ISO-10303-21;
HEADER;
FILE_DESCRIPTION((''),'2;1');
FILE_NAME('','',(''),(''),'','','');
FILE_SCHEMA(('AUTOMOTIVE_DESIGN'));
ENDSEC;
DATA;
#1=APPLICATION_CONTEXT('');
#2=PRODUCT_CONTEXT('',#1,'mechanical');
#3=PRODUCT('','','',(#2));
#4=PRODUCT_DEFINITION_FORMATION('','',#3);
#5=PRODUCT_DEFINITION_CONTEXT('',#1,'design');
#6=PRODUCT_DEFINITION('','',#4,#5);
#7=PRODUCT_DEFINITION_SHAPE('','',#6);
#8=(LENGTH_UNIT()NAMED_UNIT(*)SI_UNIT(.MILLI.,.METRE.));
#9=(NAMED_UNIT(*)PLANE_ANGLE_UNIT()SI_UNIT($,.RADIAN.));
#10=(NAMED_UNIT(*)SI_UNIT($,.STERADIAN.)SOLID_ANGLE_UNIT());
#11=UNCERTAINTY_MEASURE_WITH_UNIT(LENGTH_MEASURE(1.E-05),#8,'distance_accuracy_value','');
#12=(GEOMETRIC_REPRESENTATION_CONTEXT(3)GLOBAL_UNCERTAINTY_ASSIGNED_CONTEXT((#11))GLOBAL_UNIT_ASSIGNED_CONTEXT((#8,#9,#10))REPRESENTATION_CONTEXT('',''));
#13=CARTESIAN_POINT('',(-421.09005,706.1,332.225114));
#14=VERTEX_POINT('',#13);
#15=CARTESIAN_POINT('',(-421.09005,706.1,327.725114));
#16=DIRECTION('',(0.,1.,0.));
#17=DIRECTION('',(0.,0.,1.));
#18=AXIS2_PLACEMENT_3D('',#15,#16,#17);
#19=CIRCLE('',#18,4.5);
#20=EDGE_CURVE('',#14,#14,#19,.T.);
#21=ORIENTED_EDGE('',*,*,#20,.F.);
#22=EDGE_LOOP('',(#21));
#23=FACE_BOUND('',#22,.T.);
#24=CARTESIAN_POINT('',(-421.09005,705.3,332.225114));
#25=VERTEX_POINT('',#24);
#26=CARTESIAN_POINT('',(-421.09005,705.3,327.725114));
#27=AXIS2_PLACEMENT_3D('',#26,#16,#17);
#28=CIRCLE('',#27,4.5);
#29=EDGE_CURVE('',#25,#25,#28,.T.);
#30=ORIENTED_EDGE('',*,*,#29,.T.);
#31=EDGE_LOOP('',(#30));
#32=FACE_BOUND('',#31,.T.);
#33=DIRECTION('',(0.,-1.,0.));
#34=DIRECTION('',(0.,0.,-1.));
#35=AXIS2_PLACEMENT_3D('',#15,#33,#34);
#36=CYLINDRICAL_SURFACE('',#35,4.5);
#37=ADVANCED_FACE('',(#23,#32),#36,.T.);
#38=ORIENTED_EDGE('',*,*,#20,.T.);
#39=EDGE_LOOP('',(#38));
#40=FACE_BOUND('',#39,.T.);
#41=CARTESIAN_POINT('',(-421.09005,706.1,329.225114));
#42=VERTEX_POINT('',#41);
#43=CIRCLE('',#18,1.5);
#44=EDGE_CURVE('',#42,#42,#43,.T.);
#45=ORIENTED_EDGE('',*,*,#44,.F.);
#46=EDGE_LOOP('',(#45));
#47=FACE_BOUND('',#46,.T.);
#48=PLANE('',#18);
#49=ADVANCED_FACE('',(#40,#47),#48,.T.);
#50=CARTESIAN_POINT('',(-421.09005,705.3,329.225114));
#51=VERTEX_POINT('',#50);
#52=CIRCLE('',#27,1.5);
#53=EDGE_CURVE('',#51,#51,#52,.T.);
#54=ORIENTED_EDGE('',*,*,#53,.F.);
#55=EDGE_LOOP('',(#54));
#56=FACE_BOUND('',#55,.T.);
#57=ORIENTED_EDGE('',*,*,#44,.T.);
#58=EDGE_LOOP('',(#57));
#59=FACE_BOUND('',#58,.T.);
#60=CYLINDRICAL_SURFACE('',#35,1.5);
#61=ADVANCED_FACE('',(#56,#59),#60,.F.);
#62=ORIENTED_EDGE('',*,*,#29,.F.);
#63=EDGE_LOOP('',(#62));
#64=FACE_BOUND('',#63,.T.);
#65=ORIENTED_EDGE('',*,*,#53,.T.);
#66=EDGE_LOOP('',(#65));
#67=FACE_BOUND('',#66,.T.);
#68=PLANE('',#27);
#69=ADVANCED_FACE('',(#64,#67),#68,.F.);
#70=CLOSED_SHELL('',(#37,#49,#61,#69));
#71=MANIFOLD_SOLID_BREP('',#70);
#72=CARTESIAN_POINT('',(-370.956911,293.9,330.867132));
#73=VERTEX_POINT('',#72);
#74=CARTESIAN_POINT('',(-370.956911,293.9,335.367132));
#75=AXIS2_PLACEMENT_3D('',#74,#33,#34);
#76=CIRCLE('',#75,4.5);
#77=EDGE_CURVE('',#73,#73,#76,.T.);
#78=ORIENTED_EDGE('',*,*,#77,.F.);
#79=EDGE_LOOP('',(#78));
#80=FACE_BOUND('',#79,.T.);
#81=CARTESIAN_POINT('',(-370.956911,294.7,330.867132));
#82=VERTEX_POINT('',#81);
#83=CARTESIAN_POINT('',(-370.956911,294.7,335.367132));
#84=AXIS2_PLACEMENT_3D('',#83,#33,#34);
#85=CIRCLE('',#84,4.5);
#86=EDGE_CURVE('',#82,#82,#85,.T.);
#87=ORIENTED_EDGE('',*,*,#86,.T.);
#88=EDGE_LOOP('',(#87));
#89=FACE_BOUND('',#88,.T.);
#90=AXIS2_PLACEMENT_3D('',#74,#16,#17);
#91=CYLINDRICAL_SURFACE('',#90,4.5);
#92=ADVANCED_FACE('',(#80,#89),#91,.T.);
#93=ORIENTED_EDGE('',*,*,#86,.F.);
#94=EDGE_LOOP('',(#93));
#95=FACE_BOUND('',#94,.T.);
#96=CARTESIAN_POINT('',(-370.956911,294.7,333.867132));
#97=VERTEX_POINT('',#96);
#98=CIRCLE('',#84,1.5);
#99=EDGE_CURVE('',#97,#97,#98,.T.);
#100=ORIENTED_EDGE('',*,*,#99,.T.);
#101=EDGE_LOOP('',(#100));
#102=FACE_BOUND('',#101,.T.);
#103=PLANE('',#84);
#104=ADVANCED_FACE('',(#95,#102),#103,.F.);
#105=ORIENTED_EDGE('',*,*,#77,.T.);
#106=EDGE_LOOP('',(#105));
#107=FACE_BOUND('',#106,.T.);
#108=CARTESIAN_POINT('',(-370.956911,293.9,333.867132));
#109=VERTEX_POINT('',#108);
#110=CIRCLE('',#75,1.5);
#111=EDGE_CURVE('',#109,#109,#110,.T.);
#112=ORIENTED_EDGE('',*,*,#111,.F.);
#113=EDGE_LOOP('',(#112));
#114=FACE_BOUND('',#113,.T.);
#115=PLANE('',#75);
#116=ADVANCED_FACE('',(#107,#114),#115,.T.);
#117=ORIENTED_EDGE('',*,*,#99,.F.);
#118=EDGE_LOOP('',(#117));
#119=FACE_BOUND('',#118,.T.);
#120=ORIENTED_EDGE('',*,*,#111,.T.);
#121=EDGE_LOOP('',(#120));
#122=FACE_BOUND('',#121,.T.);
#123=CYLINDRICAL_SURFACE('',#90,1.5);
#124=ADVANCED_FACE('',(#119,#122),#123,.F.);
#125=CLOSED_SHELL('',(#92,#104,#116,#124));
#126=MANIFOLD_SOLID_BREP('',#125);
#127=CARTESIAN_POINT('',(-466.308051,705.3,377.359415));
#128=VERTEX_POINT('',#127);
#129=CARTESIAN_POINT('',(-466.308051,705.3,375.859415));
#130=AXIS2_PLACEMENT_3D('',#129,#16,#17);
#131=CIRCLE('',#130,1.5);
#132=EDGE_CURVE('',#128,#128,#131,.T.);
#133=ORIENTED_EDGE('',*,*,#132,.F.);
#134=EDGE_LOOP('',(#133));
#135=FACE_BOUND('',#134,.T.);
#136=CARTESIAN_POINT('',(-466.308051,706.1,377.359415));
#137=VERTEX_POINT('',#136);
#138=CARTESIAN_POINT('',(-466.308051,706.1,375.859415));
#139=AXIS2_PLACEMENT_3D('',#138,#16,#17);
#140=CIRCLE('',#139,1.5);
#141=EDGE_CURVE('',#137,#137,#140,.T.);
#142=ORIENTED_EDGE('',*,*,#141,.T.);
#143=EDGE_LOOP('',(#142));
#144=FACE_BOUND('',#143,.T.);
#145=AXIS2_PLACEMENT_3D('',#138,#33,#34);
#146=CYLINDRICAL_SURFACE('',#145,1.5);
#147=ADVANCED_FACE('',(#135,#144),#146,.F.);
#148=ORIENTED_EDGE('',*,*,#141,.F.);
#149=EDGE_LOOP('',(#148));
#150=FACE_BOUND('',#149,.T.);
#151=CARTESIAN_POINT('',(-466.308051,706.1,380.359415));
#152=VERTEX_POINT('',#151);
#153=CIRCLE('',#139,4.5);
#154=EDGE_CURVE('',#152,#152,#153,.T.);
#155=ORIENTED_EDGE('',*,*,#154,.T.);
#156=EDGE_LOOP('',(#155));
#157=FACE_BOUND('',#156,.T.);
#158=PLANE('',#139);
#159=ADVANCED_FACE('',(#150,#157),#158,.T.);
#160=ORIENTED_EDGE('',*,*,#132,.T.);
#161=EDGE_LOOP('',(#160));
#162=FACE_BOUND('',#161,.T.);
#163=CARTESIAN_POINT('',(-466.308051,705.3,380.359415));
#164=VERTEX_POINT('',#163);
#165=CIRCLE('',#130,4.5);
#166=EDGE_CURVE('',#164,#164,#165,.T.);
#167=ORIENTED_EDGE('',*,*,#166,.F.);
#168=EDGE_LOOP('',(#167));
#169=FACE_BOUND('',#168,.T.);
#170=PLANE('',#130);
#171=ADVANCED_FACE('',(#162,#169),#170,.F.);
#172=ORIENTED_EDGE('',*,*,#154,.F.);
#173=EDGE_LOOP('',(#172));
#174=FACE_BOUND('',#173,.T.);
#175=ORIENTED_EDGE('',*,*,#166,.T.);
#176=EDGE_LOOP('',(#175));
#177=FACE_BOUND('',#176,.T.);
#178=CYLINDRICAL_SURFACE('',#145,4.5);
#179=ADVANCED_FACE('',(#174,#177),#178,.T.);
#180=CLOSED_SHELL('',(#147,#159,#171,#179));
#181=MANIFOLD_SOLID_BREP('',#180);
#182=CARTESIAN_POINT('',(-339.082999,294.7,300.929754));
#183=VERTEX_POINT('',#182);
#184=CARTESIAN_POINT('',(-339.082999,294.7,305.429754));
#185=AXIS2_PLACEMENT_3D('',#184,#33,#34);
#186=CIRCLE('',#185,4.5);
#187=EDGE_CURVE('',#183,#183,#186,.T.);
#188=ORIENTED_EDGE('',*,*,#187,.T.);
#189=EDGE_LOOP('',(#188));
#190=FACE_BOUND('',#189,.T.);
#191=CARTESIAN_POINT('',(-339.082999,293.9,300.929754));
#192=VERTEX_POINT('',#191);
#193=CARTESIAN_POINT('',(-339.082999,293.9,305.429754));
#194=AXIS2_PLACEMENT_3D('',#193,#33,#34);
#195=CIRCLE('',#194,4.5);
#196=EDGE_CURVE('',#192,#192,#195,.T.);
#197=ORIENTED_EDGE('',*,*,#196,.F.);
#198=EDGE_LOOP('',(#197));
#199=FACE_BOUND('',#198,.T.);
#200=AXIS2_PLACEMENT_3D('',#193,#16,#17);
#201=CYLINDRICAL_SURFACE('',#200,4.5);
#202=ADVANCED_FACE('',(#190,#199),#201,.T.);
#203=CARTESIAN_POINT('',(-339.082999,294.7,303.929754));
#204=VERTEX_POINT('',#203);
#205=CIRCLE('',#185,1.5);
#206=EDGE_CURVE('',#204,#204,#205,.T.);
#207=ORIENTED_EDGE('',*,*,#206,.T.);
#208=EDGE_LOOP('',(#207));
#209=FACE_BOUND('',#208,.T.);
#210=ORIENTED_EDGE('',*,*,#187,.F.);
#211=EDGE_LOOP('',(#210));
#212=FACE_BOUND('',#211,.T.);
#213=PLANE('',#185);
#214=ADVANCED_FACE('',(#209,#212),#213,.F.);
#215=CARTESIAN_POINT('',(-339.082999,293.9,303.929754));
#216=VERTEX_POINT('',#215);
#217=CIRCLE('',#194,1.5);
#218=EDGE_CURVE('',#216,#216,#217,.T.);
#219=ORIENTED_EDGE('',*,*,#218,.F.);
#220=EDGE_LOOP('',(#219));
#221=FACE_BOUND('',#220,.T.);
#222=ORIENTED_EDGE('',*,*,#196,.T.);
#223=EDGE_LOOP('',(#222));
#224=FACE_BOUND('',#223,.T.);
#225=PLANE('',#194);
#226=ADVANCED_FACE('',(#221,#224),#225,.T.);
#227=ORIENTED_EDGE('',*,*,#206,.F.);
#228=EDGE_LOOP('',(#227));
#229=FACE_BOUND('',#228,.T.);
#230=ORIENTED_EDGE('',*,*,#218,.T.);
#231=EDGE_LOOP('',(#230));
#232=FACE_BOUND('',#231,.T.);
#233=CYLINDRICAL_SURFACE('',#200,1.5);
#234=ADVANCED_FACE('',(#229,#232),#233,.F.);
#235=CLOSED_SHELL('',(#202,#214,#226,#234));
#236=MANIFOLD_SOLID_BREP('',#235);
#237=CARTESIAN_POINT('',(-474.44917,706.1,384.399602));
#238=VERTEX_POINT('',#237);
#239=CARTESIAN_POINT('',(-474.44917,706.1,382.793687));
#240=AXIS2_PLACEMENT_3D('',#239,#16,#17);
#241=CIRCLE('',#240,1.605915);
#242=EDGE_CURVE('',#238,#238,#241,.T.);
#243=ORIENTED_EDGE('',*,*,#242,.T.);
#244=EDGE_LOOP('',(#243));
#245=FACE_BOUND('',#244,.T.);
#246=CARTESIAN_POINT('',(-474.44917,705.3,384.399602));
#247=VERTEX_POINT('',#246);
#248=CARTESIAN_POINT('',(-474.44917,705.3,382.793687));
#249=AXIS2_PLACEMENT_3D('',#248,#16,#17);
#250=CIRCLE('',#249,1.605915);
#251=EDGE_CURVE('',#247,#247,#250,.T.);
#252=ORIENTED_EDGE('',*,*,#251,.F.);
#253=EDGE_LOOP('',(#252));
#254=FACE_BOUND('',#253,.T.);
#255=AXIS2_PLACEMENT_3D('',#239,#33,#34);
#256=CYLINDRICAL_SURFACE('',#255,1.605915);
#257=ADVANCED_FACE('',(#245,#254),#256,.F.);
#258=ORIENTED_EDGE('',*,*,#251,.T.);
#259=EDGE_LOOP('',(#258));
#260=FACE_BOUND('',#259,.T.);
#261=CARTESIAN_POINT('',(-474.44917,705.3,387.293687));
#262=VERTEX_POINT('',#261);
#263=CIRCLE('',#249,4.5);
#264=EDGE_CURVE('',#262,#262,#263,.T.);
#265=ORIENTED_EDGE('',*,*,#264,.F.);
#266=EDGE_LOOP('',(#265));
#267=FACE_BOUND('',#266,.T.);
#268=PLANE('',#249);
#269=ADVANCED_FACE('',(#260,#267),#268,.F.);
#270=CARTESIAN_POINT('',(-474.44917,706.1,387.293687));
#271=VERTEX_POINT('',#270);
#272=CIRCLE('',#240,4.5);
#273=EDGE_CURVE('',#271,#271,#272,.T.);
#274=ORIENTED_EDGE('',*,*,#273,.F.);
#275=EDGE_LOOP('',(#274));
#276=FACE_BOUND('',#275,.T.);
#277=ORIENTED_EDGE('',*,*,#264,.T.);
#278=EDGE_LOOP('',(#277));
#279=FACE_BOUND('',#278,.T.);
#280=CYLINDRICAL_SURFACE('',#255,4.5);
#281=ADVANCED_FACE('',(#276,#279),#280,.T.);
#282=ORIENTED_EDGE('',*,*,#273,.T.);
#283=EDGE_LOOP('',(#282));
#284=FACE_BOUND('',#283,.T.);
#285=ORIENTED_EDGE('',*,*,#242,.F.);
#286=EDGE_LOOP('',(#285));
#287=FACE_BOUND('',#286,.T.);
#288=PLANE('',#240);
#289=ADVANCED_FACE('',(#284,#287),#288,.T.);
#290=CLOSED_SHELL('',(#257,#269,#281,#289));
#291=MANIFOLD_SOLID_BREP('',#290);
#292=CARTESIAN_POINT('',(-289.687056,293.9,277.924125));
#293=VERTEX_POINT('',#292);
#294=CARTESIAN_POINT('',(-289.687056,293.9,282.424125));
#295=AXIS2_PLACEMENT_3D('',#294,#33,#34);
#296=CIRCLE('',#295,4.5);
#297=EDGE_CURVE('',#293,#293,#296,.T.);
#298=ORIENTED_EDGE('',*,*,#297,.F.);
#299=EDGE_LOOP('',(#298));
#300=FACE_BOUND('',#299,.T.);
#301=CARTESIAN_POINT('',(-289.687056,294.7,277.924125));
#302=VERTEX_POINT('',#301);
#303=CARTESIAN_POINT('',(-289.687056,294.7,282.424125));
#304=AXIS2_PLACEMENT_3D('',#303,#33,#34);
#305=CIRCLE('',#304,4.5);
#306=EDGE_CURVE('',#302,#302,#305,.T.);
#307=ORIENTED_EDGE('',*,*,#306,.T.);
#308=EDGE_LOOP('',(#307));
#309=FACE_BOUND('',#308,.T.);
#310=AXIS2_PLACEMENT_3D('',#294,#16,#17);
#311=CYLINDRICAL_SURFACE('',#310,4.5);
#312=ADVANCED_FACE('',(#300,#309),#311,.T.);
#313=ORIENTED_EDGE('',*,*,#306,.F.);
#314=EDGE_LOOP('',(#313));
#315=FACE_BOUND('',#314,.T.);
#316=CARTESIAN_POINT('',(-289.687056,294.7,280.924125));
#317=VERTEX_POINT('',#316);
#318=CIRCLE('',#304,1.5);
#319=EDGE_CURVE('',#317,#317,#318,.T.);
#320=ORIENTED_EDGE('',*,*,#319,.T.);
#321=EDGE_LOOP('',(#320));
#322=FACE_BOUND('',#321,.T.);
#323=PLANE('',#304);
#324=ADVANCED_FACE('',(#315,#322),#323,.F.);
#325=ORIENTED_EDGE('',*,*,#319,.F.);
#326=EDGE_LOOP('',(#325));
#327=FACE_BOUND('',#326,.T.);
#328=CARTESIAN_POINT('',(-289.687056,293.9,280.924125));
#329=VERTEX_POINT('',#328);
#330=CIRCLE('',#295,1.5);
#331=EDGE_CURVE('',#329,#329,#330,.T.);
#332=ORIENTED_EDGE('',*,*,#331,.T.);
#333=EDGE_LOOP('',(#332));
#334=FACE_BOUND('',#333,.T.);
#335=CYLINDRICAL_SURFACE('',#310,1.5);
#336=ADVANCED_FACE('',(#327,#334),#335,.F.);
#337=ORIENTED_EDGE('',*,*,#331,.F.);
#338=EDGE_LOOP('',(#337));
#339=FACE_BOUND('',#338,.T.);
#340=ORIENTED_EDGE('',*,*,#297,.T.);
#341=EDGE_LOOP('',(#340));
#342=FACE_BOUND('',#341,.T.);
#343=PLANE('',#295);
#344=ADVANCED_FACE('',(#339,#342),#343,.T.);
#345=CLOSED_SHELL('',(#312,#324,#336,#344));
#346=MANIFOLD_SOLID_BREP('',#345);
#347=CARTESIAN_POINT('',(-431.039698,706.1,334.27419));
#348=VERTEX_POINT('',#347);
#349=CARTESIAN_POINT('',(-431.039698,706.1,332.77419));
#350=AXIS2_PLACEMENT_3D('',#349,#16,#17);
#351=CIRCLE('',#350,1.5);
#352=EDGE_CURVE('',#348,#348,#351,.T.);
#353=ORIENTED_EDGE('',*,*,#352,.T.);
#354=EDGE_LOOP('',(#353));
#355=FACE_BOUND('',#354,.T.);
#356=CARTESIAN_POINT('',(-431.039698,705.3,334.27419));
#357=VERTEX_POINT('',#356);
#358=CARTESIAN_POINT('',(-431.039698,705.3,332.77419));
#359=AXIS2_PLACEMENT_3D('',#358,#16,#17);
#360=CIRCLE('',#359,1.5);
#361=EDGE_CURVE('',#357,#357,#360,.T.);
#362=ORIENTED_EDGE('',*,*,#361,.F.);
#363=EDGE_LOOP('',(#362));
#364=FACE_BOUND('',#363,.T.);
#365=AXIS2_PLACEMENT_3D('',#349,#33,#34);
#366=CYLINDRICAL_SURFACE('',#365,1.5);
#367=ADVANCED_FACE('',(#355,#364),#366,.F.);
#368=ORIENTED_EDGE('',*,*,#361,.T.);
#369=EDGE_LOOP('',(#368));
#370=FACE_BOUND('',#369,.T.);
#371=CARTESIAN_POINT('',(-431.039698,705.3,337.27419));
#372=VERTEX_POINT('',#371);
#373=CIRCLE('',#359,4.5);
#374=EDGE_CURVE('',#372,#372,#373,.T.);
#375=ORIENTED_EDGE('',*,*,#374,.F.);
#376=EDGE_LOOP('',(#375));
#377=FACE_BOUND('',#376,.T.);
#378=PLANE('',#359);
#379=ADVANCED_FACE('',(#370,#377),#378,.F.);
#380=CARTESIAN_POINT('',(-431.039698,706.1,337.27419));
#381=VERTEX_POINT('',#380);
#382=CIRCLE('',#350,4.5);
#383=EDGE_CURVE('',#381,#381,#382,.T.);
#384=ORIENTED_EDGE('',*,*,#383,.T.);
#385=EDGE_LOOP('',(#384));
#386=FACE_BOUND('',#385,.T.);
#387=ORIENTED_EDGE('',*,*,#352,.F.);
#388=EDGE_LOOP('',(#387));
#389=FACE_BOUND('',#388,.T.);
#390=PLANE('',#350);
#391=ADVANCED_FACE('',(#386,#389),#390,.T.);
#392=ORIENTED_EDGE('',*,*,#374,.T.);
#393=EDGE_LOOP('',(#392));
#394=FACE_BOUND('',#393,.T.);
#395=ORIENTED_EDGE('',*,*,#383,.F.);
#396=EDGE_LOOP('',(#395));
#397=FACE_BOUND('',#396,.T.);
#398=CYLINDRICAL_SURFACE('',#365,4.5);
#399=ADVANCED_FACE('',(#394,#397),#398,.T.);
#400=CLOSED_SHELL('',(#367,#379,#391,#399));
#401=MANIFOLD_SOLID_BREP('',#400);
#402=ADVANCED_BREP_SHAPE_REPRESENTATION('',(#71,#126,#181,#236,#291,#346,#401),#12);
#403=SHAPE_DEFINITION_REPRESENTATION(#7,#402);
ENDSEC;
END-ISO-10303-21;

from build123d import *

# Parameters (mm, degrees)
SZKIC1_R                      = 4.5
SZKIC1_R_2                    = 1.5
DODANIE_WYCI_GNI_CIE1_DEPTH   = 0.8
DODANIE_WYCI_GNI_CIE1_2_DEPTH = 0.8
DODANIE_WYCI_GNI_CIE1_3_DEPTH = 0.8
SZKIC1_R_3                    = 1.605914525
DODANIE_WYCI_GNI_CIE1_4_DEPTH = 0.8
SZKIC2_R                      = 4.5
SZKIC2_R_2                    = 1.5
DODANIE_WYCI_GNI_CIE2_DEPTH   = 0.8
DODANIE_WYCI_GNI_CIE2_2_DEPTH = 0.8
DODANIE_WYCI_GNI_CIE2_3_DEPTH = 0.8


with BuildPart() as part:
    # Szkic1 → Dodanie-wyciągnięcie1 (new body)
    with BuildSketch(Plane(origin=(0, 705.3, 0), x_dir=(1, 0, 0), z_dir=(0, 1, 0))):
        with Locations((-421.090050281, -327.725114352)):
            Circle(SZKIC1_R)
        with Locations((-421.090050281, -327.725114352)):
            Circle(SZKIC1_R_2, mode=Mode.SUBTRACT)
    extrude(amount=DODANIE_WYCI_GNI_CIE1_DEPTH)


with BuildPart() as body_2:
    # Szkic1 → Dodanie-wyci_gni_cie1 2 (new body)
    with BuildSketch(Plane(origin=(0, 705.3, 0), x_dir=(1, 0, 0), z_dir=(0, 1, 0))):
        with Locations((-431.039698402, -332.774189517)):
            Circle(SZKIC1_R)
        with Locations((-431.039698402, -332.774189517)):
            Circle(SZKIC1_R_2, mode=Mode.SUBTRACT)
    extrude(amount=DODANIE_WYCI_GNI_CIE1_2_DEPTH)


with BuildPart() as body_3:
    # Szkic1 → Dodanie-wyci_gni_cie1 3 (new body)
    with BuildSketch(Plane(origin=(0, 705.3, 0), x_dir=(1, 0, 0), z_dir=(0, 1, 0))):
        with Locations((-466.308050674, -375.85941501)):
            Circle(SZKIC1_R)
        with Locations((-466.308050674, -375.85941501)):
            Circle(SZKIC1_R_2, mode=Mode.SUBTRACT)
    extrude(amount=DODANIE_WYCI_GNI_CIE1_3_DEPTH)


with BuildPart() as body_4:
    # Szkic1 → Dodanie-wyci_gni_cie1 4 (new body)
    with BuildSketch(Plane(origin=(0, 705.3, 0), x_dir=(1, 0, 0), z_dir=(0, 1, 0))):
        with Locations((-474.449169572, -382.793687092)):
            Circle(SZKIC1_R)
        with Locations((-474.449169572, -382.793687092)):
            Circle(SZKIC1_R_3, mode=Mode.SUBTRACT)
    extrude(amount=DODANIE_WYCI_GNI_CIE1_4_DEPTH)


with BuildPart() as body_5:
    # Szkic2 → Dodanie-wyciągnięcie2 (new body)
    with BuildSketch(Plane.XZ.offset(-294.7)):
        with Locations((-370.956911026, 335.367132453)):
            Circle(SZKIC2_R)
        with Locations((-370.956911026, 335.367132453)):
            Circle(SZKIC2_R_2, mode=Mode.SUBTRACT)
    extrude(amount=DODANIE_WYCI_GNI_CIE2_DEPTH)


with BuildPart() as body_6:
    # Szkic2 → Dodanie-wyci_gni_cie2 2 (new body)
    with BuildSketch(Plane.XZ.offset(-294.7)):
        with Locations((-339.082998521, 305.429754445)):
            Circle(SZKIC2_R)
        with Locations((-339.082998521, 305.429754445)):
            Circle(SZKIC2_R_2, mode=Mode.SUBTRACT)
    extrude(amount=DODANIE_WYCI_GNI_CIE2_2_DEPTH)


with BuildPart() as body_7:
    # Szkic2 → Dodanie-wyci_gni_cie2 3 (new body)
    with BuildSketch(Plane.XZ.offset(-294.7)):
        with Locations((-289.68705591, 282.424125213)):
            Circle(SZKIC2_R)
        with Locations((-289.68705591, 282.424125213)):
            Circle(SZKIC2_R_2, mode=Mode.SUBTRACT)
    extrude(amount=DODANIE_WYCI_GNI_CIE2_3_DEPTH)


solid = Compound([part.part, body_2.part, body_3.part, body_4.part, body_5.part, body_6.part, body_7.part])
